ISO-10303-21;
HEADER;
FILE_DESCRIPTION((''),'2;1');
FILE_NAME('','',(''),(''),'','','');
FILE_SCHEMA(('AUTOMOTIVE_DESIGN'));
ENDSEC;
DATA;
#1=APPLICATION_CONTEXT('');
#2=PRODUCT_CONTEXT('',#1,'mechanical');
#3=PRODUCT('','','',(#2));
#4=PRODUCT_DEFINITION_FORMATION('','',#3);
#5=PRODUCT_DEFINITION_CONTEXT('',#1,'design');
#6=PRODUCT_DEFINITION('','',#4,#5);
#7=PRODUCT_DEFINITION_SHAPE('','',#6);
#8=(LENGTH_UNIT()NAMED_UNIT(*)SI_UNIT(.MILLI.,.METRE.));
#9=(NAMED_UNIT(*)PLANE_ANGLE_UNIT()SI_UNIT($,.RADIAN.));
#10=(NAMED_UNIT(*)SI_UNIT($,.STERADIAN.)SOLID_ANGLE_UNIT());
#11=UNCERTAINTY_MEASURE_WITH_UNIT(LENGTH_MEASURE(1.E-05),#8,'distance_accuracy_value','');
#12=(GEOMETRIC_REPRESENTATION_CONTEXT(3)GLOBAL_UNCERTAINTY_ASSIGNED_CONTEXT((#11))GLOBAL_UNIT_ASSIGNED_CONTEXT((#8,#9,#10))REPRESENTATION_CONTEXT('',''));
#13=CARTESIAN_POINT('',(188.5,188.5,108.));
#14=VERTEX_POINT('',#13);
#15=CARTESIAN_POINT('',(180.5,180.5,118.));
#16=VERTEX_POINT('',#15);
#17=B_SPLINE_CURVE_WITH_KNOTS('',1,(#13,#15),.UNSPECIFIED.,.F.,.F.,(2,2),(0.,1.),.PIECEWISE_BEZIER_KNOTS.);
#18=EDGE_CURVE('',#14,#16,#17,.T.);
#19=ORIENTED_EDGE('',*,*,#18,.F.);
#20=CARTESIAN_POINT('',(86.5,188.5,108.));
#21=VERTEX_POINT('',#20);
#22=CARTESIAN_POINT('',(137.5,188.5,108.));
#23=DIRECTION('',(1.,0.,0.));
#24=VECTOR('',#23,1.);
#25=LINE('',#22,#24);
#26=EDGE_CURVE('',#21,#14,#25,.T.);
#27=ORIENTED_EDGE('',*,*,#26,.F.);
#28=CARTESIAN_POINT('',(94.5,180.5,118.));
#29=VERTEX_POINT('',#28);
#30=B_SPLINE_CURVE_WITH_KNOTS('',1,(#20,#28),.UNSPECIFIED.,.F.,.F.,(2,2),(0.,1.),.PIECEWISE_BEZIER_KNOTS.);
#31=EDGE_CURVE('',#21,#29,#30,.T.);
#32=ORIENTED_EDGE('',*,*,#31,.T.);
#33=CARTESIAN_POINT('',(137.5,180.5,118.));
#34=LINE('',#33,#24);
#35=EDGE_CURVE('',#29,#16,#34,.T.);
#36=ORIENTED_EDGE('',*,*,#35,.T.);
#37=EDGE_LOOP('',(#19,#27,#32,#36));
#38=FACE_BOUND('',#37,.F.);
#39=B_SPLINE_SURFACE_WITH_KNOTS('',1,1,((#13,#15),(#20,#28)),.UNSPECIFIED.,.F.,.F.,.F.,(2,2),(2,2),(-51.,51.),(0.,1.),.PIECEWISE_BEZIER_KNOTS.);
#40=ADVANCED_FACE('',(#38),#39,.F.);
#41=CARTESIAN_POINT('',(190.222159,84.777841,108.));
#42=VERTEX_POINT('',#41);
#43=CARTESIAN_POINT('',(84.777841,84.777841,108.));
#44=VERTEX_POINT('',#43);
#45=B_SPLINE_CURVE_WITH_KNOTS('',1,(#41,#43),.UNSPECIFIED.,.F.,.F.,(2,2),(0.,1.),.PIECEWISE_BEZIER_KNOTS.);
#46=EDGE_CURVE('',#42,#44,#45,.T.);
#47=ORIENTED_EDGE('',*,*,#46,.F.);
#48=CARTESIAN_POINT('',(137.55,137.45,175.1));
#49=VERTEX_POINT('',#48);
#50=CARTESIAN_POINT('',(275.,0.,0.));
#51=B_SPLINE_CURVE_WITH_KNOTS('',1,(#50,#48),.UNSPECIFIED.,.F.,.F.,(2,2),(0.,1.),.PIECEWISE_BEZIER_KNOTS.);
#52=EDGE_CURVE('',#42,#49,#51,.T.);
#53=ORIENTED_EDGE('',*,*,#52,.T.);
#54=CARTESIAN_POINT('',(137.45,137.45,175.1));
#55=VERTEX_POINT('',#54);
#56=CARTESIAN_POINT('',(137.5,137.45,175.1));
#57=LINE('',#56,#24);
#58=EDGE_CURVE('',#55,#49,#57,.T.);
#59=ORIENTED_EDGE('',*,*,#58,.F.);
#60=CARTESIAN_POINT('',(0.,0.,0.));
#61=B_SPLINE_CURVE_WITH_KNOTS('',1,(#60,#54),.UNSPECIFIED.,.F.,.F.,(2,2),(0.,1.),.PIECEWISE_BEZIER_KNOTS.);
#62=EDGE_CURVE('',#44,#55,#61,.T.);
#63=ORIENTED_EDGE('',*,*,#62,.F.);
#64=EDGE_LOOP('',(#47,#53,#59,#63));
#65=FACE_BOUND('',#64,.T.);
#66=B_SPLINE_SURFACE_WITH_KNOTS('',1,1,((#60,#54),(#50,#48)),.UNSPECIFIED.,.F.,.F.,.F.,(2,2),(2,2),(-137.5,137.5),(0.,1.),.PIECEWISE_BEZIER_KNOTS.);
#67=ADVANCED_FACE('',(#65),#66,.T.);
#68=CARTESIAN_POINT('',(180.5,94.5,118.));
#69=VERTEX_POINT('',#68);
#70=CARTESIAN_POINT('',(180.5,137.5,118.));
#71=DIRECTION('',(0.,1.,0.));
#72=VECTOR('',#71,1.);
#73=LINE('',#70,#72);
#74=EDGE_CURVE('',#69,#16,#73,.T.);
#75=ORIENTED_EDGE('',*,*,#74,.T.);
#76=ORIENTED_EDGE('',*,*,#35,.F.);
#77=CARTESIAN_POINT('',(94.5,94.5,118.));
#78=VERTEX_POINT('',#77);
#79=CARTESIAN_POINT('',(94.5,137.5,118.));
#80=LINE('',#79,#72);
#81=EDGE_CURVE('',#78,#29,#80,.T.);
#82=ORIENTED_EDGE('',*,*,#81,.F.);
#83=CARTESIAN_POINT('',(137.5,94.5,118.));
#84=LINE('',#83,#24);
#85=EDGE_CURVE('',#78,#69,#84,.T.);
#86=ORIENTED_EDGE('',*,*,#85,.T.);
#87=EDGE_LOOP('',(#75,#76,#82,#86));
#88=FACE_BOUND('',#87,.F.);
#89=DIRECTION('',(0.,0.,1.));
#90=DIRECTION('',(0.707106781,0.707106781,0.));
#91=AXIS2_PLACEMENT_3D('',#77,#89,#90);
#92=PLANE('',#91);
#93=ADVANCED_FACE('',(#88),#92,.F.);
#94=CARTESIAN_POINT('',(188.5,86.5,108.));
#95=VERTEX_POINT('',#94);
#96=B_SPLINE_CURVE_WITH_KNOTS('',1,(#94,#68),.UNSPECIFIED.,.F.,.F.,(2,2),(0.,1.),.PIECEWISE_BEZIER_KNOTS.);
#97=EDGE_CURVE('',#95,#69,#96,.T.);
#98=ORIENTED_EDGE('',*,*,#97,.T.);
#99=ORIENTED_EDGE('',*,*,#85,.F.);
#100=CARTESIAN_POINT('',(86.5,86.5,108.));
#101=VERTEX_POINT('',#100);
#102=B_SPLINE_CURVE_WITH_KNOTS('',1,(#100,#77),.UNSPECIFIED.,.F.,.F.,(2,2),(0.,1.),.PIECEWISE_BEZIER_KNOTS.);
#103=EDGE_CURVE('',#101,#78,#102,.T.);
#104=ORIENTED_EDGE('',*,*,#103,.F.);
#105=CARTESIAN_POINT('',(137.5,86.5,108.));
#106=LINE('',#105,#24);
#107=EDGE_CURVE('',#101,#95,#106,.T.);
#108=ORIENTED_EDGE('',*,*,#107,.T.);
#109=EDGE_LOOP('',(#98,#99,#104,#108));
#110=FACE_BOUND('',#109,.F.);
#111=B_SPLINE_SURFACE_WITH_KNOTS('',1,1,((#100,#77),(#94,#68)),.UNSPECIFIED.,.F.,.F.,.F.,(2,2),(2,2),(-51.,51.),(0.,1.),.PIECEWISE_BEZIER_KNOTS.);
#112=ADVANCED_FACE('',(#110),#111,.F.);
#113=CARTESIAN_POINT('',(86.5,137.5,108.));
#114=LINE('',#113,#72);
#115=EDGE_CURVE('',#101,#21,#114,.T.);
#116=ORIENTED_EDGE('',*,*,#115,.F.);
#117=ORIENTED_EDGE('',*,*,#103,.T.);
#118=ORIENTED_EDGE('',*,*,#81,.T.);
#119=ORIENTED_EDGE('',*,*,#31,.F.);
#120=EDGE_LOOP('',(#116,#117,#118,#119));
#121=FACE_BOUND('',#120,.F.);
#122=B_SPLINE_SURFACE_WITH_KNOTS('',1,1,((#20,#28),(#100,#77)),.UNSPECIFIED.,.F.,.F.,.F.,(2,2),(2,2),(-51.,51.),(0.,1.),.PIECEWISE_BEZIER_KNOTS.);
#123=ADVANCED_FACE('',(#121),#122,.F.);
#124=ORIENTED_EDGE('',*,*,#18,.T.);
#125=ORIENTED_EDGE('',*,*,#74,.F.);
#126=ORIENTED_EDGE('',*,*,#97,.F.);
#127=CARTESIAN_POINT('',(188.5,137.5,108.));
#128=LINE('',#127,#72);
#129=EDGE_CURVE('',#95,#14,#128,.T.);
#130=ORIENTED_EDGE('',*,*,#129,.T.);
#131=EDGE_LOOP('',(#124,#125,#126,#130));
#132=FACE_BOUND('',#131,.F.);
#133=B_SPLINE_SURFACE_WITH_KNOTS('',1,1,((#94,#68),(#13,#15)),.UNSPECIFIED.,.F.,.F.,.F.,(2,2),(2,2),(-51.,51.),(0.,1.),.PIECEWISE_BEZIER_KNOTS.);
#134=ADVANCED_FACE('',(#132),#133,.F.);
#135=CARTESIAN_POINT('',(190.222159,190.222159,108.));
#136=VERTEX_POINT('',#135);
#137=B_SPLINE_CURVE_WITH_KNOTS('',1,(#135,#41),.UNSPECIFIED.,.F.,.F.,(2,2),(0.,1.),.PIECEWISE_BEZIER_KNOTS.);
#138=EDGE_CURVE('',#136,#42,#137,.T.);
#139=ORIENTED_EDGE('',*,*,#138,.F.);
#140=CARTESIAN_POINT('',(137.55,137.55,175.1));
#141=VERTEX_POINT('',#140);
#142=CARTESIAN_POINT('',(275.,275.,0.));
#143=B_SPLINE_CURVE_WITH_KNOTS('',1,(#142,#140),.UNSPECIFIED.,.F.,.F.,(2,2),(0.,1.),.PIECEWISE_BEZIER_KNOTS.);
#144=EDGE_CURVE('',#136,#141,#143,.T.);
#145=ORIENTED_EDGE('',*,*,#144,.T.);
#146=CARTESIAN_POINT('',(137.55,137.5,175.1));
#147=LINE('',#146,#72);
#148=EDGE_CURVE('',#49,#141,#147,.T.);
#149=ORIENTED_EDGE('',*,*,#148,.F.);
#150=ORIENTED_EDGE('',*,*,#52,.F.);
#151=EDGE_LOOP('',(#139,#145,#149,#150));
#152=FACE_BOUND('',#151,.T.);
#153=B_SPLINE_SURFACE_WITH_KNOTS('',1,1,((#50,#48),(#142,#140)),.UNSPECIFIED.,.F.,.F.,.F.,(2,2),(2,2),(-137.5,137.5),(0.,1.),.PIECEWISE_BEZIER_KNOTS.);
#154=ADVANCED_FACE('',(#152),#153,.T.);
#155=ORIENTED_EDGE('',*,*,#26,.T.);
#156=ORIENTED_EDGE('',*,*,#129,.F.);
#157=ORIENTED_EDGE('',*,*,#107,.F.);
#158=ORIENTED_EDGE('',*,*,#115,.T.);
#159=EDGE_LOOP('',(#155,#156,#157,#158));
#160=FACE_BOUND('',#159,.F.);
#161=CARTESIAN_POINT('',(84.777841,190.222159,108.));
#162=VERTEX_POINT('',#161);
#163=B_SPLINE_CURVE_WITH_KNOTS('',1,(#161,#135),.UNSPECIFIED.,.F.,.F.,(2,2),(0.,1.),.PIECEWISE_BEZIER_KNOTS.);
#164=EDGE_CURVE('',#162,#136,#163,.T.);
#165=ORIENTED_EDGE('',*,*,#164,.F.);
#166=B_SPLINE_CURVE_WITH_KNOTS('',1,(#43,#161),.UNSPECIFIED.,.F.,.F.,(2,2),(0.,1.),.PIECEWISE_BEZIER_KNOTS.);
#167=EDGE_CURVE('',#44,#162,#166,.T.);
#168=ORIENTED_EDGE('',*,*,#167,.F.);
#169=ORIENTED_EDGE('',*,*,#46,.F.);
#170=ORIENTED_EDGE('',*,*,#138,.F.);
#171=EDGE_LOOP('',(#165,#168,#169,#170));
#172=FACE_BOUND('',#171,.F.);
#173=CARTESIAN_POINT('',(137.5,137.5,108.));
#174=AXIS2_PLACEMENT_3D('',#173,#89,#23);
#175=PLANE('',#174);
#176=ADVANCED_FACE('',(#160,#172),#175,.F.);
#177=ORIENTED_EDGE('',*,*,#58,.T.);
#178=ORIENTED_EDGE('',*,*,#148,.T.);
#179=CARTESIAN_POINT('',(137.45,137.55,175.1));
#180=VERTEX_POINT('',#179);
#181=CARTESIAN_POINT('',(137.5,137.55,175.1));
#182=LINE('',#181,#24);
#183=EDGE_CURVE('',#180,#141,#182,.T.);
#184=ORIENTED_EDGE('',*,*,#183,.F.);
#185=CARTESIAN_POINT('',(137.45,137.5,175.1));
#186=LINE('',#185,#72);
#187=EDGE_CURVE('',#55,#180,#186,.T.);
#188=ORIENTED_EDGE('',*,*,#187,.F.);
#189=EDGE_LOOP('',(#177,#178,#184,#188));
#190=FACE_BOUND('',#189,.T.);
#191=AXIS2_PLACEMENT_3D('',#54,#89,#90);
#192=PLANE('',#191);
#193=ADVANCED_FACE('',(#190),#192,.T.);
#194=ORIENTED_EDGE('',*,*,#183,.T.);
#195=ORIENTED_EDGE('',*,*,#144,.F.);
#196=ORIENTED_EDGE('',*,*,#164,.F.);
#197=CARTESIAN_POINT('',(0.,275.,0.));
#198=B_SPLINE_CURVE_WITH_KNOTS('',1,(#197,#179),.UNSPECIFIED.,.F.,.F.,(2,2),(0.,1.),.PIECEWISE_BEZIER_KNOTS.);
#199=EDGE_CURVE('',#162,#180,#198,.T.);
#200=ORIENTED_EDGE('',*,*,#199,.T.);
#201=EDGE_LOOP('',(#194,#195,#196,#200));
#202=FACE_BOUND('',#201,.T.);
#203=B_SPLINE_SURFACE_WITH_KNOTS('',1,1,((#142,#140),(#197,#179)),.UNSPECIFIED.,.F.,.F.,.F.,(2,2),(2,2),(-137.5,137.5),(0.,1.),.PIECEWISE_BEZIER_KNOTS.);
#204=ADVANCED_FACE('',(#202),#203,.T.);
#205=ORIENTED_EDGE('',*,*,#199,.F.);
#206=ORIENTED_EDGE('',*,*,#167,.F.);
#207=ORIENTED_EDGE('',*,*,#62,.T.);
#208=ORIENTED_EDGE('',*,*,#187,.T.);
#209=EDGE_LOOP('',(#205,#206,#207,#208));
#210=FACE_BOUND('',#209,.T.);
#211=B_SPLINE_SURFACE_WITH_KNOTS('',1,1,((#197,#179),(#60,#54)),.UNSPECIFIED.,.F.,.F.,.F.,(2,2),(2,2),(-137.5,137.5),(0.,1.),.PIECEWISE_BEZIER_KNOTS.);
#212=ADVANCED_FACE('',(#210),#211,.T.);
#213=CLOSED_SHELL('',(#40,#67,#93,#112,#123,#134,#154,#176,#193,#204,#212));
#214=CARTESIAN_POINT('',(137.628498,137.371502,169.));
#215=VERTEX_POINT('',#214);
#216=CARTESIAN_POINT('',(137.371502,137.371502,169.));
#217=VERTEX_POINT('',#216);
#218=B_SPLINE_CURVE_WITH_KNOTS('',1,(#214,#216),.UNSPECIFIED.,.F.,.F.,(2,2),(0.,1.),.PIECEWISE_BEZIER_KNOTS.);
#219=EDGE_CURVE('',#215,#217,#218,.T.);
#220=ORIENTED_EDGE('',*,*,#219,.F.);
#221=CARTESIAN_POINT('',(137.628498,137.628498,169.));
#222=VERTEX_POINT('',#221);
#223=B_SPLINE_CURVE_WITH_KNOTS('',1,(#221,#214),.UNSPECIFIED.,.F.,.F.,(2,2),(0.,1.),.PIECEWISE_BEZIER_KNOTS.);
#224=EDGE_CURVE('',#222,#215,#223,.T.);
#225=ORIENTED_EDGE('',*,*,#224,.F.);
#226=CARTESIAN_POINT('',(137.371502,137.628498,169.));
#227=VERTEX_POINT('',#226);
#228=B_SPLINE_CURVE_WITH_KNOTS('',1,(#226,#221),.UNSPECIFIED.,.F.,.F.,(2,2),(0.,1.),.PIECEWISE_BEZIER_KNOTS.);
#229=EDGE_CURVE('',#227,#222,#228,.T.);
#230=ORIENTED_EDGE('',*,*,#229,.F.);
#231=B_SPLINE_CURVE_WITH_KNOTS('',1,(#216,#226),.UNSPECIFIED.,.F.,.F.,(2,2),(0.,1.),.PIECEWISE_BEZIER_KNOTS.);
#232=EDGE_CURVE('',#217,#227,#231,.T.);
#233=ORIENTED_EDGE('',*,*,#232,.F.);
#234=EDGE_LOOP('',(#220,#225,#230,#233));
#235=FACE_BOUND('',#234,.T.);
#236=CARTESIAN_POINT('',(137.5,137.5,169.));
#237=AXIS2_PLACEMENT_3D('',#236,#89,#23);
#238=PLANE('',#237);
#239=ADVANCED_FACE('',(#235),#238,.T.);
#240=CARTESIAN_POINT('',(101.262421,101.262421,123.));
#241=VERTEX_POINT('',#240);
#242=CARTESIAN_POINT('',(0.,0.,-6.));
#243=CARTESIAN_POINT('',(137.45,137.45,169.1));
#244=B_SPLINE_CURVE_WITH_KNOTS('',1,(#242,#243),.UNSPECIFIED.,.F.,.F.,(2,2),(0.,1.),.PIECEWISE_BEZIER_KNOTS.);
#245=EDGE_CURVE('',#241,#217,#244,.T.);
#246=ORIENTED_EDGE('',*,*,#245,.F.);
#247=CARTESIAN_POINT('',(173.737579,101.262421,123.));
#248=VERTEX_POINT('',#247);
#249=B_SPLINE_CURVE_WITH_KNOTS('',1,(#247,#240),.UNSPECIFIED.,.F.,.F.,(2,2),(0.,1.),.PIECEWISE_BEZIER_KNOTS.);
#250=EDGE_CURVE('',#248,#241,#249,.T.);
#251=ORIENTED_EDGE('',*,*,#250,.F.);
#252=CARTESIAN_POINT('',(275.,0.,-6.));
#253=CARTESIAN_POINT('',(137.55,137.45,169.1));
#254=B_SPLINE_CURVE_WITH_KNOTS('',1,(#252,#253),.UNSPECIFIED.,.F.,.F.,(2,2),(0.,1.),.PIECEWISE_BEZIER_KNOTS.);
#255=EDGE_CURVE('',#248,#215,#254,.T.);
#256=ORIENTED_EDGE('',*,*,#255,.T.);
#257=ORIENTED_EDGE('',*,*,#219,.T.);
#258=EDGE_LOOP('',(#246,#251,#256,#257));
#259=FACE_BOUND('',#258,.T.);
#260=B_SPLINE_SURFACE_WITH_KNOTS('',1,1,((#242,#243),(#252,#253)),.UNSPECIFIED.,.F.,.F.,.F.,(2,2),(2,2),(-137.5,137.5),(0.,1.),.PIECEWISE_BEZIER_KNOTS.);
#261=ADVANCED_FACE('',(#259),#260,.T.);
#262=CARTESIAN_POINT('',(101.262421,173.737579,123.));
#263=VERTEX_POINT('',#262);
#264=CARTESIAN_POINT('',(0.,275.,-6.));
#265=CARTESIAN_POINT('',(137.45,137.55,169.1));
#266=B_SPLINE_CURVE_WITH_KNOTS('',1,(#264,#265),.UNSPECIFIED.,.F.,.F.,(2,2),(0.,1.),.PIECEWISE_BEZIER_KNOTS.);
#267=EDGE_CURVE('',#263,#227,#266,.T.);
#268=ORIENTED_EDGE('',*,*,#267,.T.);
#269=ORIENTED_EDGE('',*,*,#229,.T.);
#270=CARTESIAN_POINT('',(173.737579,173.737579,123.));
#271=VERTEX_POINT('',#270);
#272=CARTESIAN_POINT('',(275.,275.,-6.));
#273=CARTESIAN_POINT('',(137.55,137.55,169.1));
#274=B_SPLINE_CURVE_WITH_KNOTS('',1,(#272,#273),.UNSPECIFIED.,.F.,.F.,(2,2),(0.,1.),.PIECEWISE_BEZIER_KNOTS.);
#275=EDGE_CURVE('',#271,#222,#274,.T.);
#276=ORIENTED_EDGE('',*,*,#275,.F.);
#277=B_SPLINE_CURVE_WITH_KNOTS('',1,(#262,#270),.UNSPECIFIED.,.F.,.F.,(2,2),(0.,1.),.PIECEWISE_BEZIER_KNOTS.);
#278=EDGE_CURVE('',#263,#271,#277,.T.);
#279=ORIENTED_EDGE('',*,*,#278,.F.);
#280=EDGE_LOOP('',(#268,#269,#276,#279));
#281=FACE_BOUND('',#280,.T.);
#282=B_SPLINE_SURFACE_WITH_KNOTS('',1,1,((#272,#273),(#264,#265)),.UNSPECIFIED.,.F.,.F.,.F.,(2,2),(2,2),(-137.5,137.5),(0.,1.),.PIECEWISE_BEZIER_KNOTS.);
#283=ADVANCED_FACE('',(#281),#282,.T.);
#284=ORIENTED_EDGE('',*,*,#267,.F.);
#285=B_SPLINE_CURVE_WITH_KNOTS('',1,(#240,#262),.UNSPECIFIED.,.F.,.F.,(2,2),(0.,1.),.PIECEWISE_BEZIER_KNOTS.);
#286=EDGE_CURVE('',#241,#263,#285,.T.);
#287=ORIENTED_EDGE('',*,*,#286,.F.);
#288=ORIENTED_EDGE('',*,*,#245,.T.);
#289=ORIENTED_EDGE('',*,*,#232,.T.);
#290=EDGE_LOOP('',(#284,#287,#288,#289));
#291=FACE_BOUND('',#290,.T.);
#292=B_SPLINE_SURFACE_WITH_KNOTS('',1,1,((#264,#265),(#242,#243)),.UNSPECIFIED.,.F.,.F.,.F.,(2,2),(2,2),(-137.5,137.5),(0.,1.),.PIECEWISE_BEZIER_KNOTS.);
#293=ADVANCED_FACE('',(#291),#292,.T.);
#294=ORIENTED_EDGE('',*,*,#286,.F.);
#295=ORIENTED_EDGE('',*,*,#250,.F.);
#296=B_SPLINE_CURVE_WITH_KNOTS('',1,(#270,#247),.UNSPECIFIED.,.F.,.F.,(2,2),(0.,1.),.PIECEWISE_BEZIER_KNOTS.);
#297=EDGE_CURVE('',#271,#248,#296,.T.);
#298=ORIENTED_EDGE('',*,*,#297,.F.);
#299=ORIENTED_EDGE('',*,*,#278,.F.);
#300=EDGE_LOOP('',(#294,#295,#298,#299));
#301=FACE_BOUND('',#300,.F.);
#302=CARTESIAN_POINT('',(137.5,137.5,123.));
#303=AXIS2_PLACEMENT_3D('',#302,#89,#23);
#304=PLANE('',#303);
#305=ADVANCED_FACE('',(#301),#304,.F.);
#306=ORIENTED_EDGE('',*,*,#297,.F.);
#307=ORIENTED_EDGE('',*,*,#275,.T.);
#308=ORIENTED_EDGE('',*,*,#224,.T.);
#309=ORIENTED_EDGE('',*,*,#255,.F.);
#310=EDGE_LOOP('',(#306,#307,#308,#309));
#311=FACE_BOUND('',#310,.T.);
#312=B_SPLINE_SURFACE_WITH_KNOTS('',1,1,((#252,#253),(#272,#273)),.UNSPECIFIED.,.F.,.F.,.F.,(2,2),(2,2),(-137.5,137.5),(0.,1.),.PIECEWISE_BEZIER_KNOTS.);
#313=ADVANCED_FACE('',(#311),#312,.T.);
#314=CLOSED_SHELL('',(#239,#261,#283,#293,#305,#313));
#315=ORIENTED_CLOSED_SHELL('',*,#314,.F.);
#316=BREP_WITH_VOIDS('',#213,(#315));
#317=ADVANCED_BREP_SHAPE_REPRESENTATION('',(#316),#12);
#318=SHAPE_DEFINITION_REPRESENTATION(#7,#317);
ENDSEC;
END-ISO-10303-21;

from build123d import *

# Parameters (mm, degrees)
BOX016_W     = 275
BOX016_H     = 275
BOX016_DEPTH = 59
SKETCH050_W  = 102
SKETCH050_H  = 102
SKETCH051_W  = 86
SKETCH051_H  = 86
BOX017_W     = 275
BOX017_H     = 275
BOX017_DEPTH = 46
SKETCH044_W  = 275
SKETCH044_H  = 275
SKETCH045_W  = 0.1
SKETCH045_H  = 0.1
SKETCH038_W  = 275
SKETCH038_H  = 275
SKETCH039_W  = 0.1
SKETCH039_H  = 0.1
BOX010_W     = 275
BOX010_H     = 275
BOX010_DEPTH = 70


with BuildPart() as layer0keep007:
    # Box016 → Box016 (new body)
    with BuildSketch(Plane.XY.offset(48)):
        with Locations((137.5, 137.5)):
            Rectangle(BOX016_W, BOX016_H)
    extrude(amount=BOX016_DEPTH)


with BuildPart() as layertwocut001:
    # Sketch050 → Loft017 section 0
    with BuildSketch(Plane.XY.offset(107)):
        with Locations((137.5, 137.5)):
            Rectangle(SKETCH050_W, SKETCH050_H)
    # Sketch051 → Loft017 section 1
    with BuildSketch(Plane.XY.offset(117)):
        with Locations((137.5, 137.5)):
            Rectangle(SKETCH051_W, SKETCH051_H)
    loft()

    # Fusion021: union layer0Keep007
    add(layer0keep007.part)


with BuildPart() as layertwocut001_1:
    # Fusion021 placement: moved
    add(layertwocut001.part.moved(Location((0, 0, 1))))


with BuildPart() as layer2cut:
    # Box017 → Box017 (new body)
    with BuildSketch(Plane.XY.offset(123)):
        with Locations((137.5, 137.5)):
            Rectangle(BOX017_W, BOX017_H)
    extrude(amount=BOX017_DEPTH)


with BuildPart() as fusion022:
    # Sketch044 → Loft014 section 0
    with BuildSketch(Plane.XY):
        with Locations((137.5, 137.5)):
            Rectangle(SKETCH044_W, SKETCH044_H)
    # Sketch045 → Loft014 section 1
    with BuildSketch(Plane.XY.offset(175.1)):
        with Locations((137.5, 137.5)):
            Rectangle(SKETCH045_W, SKETCH045_H)
    loft()


with BuildPart() as fusion022_1:
    # Loft014 placement: moved
    add(fusion022.part.moved(Location((0, 0, -6))))

    # Common011: intersect layer2Cut
    add(layer2cut.part, mode=Mode.INTERSECT)

    # Fusion022: union layerTwoCut001
    add(layertwocut001_1.part)


with BuildPart() as outerlayer008:
    # Sketch038 → Loft011 section 0
    with BuildSketch(Plane.XY):
        with Locations((137.5, 137.5)):
            Rectangle(SKETCH038_W, SKETCH038_H)
    # Sketch039 → Loft011 section 1
    with BuildSketch(Plane.XY.offset(175.1)):
        with Locations((137.5, 137.5)):
            Rectangle(SKETCH039_W, SKETCH039_H)
    loft()


with BuildPart() as layer2:
    # Box010 → Box010 (new body)
    with BuildSketch(Plane.XY.offset(108)):
        with Locations((137.5, 137.5)):
            Rectangle(BOX010_W, BOX010_H)
    extrude(amount=BOX010_DEPTH)

    # Common010: intersect outerLayer008
    add(outerlayer008.part, mode=Mode.INTERSECT)

    # Cut004: cut Fusion022
    add(fusion022_1.part, mode=Mode.SUBTRACT)


solid = layer2.part
